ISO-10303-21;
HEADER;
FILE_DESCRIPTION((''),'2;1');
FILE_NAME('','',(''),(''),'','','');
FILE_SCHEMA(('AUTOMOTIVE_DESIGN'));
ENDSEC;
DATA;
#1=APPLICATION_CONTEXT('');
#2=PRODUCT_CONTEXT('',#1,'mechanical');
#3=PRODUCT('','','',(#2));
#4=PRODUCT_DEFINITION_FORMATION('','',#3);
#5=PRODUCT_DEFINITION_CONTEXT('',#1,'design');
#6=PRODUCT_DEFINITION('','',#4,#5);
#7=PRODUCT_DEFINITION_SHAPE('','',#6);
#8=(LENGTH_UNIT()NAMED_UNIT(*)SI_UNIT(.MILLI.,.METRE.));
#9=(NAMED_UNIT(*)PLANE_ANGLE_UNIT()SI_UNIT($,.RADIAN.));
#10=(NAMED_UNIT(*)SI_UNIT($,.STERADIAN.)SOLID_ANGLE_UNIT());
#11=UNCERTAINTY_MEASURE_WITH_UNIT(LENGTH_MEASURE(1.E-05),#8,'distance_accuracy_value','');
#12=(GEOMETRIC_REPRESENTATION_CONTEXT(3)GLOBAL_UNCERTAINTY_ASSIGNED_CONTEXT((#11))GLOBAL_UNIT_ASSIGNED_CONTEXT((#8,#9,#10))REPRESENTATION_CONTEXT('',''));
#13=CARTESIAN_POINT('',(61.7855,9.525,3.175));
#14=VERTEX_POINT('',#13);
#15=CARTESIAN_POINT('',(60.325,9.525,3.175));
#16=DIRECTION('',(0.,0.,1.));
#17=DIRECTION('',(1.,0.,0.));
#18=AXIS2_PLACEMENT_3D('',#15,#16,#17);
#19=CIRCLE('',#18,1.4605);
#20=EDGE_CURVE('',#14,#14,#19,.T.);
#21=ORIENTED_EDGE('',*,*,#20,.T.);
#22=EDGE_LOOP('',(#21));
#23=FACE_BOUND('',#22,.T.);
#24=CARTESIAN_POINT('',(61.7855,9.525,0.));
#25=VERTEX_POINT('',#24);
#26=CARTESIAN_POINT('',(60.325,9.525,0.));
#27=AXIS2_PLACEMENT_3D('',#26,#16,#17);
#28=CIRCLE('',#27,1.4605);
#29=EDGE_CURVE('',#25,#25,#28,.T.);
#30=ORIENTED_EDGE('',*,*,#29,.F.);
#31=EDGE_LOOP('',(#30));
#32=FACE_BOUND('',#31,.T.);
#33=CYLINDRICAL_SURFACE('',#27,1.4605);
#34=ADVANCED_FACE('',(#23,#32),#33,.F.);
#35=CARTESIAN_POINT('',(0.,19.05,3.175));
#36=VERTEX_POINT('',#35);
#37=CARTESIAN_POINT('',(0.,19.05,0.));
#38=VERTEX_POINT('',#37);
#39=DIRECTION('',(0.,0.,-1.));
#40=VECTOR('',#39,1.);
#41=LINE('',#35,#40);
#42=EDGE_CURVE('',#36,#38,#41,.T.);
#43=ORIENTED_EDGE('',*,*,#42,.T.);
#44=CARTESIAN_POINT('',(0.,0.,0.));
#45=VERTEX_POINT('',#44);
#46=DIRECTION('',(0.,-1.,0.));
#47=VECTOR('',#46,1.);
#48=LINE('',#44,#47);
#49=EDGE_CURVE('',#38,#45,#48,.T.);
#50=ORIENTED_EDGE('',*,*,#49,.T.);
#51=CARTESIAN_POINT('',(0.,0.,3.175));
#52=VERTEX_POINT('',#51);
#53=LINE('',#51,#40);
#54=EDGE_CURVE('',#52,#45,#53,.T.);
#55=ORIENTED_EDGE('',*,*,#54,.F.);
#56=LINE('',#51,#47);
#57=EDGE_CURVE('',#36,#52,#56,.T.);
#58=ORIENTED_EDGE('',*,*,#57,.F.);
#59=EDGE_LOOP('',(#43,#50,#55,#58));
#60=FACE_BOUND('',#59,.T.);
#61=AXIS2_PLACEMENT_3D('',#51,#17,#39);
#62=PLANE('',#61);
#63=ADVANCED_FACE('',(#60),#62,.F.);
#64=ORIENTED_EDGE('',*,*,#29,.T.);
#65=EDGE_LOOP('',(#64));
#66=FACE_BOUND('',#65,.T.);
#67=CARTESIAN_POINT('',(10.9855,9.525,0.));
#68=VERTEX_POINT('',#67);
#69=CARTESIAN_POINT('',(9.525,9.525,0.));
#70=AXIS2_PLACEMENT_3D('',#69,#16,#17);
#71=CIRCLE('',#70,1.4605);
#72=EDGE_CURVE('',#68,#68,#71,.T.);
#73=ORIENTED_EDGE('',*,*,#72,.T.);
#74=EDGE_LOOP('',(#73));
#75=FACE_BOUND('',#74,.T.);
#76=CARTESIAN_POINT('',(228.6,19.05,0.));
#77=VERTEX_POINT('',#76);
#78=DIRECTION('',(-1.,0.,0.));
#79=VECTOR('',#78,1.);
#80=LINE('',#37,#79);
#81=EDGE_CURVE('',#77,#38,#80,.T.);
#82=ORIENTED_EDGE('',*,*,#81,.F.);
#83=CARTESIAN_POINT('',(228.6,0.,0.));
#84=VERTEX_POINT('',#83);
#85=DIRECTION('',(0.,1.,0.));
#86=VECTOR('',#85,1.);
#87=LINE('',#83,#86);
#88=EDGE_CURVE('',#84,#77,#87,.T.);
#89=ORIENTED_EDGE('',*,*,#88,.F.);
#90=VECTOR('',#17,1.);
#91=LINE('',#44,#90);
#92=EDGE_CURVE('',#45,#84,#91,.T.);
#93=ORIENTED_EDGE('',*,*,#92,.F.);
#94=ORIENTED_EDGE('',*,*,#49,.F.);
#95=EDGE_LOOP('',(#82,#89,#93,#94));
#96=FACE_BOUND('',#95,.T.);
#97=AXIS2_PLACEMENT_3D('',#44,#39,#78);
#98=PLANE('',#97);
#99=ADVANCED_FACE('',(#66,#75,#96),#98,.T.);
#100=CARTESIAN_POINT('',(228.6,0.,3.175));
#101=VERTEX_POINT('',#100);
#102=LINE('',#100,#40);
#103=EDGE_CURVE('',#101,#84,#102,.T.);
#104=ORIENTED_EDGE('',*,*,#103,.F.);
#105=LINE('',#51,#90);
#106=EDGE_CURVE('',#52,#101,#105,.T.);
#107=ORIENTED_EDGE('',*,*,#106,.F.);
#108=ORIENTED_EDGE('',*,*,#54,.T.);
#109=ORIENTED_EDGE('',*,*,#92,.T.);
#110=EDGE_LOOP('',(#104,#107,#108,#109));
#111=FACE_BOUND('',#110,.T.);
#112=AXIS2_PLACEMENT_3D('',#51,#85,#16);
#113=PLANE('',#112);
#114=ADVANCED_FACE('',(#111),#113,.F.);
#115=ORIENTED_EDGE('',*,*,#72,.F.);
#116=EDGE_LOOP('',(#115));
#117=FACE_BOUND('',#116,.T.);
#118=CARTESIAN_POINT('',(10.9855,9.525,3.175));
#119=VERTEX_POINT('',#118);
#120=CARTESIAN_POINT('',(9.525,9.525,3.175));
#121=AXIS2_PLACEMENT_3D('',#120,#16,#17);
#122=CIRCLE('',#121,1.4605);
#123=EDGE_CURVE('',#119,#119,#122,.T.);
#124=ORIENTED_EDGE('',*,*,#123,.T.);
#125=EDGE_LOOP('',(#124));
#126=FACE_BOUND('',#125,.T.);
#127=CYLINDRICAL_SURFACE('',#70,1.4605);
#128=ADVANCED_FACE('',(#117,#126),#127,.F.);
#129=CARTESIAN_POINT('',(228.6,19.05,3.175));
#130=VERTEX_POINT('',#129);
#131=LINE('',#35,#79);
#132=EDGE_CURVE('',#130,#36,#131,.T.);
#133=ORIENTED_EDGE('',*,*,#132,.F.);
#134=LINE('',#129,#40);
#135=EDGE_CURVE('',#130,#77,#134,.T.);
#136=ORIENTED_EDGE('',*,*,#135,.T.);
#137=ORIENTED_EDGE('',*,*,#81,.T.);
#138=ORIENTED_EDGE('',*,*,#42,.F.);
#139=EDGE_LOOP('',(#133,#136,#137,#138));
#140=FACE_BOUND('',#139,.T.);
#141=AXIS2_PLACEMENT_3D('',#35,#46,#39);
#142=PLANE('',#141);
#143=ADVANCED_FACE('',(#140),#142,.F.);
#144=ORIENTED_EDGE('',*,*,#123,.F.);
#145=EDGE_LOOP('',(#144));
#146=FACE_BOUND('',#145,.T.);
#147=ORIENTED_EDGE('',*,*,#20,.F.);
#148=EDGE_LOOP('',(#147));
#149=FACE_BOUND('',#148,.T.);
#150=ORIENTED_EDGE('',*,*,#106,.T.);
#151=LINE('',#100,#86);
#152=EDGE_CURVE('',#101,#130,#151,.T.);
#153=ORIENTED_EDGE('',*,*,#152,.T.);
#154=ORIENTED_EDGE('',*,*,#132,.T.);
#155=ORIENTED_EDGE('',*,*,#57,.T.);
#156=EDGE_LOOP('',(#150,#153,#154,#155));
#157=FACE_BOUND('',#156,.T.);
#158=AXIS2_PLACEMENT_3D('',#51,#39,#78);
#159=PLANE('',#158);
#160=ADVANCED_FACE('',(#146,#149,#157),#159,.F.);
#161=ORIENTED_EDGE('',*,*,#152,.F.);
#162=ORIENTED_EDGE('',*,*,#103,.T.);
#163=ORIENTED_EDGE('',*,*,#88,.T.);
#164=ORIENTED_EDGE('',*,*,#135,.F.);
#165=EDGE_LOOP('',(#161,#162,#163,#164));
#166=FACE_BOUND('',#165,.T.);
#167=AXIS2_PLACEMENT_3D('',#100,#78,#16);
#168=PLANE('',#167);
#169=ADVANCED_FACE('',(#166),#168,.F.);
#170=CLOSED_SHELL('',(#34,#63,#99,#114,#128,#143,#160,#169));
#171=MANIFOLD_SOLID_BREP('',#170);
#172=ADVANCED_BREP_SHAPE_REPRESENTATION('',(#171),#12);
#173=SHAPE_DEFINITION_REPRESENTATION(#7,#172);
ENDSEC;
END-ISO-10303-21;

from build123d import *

# Parameters (mm, degrees)
SKETCH1_W           = 228.6
SKETCH1_H           = 19.05
BOSS_EXTRUDE1_DEPTH = 3.175
SKETCH2_R           = 1.4605
CUT_EXTRUDE1_DEPTH  = 230.414348124


with BuildPart() as part:
    # Sketch1 → Boss-Extrude1 (new body)
    with BuildSketch(Plane.XY):
        with Locations((114.3, 9.525)):
            Rectangle(SKETCH1_W, SKETCH1_H)
    extrude(amount=BOSS_EXTRUDE1_DEPTH)

    # Sketch2 → Cut-Extrude1 (cut, through all)
    with BuildSketch(Plane.XY.offset(3.175)):
        with Locations((9.525, 9.525)):
            Circle(SKETCH2_R)
        with Locations((60.325, 9.525)):
            Circle(SKETCH2_R)
    extrude(amount=-CUT_EXTRUDE1_DEPTH, mode=Mode.SUBTRACT)


solid = part.part
